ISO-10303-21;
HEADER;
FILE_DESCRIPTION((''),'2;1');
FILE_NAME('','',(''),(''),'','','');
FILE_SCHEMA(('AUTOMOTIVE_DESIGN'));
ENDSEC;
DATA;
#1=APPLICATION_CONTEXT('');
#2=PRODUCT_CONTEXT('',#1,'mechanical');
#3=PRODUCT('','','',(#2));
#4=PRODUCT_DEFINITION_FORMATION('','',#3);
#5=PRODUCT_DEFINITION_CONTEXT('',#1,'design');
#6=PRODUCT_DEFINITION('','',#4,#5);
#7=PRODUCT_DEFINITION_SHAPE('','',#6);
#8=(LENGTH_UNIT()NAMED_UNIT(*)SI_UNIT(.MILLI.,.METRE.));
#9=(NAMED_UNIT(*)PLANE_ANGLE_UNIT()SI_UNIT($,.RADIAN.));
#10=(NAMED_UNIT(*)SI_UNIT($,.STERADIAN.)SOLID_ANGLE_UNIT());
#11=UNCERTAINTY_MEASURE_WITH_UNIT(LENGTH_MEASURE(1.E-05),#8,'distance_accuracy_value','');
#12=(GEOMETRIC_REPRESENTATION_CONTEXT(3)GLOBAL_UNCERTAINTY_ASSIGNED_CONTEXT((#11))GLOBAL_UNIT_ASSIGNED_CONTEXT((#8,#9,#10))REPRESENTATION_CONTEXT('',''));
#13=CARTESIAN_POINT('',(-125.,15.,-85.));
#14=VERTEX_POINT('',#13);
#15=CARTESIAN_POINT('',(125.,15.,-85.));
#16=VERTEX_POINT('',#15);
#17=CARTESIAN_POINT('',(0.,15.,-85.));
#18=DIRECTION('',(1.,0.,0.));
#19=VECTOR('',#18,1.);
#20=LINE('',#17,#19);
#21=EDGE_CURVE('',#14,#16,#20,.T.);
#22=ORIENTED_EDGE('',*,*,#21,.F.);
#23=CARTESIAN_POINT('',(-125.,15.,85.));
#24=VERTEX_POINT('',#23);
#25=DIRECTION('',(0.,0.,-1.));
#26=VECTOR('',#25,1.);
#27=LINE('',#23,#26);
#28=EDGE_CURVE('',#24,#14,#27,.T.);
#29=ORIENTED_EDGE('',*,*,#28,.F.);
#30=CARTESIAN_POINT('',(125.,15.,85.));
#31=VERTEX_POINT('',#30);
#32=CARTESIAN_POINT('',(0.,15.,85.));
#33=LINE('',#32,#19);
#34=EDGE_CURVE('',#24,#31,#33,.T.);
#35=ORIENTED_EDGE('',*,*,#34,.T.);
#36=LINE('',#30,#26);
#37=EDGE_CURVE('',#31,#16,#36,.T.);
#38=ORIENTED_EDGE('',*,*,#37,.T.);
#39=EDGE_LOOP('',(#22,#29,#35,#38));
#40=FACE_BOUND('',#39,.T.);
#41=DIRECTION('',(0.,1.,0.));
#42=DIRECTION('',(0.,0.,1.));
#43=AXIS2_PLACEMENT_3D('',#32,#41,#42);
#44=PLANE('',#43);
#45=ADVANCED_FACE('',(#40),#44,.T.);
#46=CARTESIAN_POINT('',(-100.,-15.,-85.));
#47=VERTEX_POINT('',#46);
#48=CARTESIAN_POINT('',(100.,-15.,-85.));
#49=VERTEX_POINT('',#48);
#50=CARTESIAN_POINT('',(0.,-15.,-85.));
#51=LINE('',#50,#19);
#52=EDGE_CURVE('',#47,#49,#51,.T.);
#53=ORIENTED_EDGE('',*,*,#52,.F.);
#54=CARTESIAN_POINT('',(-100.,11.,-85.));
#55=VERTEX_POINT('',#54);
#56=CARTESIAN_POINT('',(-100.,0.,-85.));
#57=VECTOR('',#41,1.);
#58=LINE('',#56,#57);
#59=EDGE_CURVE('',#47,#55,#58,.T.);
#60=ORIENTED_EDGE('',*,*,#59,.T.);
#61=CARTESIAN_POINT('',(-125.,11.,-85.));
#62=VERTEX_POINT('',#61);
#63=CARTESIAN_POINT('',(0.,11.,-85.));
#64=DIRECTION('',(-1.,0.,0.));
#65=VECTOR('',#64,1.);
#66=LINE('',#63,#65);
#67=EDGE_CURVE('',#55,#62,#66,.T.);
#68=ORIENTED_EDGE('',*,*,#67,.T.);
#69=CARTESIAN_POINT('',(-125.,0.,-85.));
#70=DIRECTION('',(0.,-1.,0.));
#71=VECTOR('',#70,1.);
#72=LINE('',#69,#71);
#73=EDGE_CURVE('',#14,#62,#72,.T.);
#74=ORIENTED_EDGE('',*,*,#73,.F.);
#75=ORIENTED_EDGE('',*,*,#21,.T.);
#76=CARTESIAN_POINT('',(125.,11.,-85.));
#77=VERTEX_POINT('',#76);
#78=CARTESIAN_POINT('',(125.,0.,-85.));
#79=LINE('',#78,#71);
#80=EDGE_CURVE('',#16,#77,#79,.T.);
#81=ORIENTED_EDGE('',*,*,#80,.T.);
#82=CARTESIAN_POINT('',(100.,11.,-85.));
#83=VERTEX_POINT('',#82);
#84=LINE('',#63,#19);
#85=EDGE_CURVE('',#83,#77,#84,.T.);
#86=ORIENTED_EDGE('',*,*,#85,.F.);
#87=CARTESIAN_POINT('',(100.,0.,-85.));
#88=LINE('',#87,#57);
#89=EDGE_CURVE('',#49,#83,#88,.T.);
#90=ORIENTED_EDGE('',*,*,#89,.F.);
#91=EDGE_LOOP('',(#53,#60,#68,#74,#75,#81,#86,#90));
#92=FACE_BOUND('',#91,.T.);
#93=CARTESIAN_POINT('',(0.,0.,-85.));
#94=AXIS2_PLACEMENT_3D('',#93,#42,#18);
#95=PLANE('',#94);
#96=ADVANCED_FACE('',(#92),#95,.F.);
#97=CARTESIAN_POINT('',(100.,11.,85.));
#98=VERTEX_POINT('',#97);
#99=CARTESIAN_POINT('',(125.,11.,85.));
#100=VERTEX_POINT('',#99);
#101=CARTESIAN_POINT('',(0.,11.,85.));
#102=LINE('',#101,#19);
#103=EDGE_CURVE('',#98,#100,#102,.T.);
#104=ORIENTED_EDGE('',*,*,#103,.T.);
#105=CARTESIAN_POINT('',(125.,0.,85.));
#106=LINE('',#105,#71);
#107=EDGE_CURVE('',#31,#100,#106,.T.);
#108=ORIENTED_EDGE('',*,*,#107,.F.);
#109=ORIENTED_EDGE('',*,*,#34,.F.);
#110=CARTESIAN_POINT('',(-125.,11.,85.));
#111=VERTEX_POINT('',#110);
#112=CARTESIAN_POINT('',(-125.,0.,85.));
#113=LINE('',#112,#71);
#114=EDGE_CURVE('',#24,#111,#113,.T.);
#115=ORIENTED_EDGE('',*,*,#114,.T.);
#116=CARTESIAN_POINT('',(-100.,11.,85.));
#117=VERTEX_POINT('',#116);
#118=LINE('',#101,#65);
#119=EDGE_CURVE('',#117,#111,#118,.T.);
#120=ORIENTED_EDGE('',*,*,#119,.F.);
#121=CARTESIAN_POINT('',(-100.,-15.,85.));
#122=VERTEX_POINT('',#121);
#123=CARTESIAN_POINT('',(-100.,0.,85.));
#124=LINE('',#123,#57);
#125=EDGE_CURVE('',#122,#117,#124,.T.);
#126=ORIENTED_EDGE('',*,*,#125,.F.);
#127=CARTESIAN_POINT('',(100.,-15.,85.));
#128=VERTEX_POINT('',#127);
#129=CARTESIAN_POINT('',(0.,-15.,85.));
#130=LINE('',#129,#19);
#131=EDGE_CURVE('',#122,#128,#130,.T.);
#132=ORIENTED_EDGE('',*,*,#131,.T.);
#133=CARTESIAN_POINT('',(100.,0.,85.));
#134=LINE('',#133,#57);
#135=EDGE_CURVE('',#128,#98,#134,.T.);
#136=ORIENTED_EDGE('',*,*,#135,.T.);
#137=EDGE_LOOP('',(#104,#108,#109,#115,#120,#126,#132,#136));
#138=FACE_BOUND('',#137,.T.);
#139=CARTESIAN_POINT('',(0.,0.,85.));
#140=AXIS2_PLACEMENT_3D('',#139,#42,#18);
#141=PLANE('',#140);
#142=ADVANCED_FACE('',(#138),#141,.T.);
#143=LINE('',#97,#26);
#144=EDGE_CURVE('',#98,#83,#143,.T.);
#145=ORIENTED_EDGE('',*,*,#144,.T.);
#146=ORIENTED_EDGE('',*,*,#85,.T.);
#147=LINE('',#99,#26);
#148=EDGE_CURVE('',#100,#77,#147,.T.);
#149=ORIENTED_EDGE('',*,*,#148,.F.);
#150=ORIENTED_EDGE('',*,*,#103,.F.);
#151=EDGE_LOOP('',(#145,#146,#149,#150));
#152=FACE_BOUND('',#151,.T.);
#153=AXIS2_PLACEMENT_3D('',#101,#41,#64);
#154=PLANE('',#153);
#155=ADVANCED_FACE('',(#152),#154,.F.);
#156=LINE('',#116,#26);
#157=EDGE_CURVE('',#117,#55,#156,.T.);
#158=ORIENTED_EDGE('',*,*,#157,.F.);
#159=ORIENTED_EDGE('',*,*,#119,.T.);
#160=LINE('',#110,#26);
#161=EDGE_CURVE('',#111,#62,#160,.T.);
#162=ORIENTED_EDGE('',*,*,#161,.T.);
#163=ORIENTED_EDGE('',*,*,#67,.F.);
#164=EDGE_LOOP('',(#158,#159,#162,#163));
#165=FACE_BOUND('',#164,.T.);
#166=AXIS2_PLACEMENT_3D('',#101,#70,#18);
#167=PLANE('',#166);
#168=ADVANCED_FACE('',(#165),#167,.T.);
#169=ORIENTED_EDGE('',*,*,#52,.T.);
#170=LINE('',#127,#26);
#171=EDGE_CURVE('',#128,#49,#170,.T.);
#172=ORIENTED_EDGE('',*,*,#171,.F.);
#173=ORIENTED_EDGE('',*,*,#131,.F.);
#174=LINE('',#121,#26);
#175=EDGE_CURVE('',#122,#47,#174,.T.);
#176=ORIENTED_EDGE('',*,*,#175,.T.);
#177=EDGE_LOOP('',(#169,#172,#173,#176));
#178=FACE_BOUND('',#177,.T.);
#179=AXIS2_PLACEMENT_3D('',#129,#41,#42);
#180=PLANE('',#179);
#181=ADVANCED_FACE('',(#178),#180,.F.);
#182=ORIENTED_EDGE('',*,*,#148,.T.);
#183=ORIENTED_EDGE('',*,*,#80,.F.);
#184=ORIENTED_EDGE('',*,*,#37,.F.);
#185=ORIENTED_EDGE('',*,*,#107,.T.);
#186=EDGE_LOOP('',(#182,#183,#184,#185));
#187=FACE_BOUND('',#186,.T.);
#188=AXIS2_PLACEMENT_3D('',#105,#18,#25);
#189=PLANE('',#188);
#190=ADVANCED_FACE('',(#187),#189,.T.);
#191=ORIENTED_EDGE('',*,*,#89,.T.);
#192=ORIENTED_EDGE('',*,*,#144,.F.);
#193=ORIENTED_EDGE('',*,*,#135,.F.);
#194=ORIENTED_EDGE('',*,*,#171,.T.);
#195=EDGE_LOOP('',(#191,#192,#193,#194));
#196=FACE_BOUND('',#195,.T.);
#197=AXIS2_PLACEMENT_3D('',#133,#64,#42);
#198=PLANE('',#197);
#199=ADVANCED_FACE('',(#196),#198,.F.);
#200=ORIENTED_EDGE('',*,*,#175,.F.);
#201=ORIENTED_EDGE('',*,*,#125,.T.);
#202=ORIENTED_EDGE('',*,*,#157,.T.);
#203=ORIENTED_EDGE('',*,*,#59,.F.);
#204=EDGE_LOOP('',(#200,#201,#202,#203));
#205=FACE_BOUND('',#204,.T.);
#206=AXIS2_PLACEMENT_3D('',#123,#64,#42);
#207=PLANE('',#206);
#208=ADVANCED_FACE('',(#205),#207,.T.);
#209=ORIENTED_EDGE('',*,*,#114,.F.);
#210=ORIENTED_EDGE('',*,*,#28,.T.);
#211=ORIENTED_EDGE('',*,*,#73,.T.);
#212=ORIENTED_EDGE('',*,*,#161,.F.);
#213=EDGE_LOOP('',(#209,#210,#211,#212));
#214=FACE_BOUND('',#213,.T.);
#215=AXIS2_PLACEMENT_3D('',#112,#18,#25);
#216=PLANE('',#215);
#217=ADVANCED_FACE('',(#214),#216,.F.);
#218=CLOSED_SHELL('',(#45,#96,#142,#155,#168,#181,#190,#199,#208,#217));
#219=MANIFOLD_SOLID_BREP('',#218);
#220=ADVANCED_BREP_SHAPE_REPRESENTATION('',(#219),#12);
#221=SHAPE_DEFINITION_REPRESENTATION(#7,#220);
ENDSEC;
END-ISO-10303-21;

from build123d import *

# Parameters (mm, degrees)
SKETCH1_W           = 200
SKETCH1_H           = 30
SKETCH1_W_2         = 25
SKETCH1_H_2         = 4
BOSS_EXTRUDE1_DEPTH = 85


with BuildPart() as part:
    # Sketch1 → Boss-Extrude1 (new, symmetric)
    with BuildSketch(Plane.XY):
        Rectangle(SKETCH1_W, SKETCH1_H)
        with Locations((-112.5, 13)):
            Rectangle(SKETCH1_W_2, SKETCH1_H_2)
        with Locations((112.5, 13)):
            Rectangle(SKETCH1_W_2, SKETCH1_H_2)
    extrude(amount=BOSS_EXTRUDE1_DEPTH, both=True)


solid = part.part
